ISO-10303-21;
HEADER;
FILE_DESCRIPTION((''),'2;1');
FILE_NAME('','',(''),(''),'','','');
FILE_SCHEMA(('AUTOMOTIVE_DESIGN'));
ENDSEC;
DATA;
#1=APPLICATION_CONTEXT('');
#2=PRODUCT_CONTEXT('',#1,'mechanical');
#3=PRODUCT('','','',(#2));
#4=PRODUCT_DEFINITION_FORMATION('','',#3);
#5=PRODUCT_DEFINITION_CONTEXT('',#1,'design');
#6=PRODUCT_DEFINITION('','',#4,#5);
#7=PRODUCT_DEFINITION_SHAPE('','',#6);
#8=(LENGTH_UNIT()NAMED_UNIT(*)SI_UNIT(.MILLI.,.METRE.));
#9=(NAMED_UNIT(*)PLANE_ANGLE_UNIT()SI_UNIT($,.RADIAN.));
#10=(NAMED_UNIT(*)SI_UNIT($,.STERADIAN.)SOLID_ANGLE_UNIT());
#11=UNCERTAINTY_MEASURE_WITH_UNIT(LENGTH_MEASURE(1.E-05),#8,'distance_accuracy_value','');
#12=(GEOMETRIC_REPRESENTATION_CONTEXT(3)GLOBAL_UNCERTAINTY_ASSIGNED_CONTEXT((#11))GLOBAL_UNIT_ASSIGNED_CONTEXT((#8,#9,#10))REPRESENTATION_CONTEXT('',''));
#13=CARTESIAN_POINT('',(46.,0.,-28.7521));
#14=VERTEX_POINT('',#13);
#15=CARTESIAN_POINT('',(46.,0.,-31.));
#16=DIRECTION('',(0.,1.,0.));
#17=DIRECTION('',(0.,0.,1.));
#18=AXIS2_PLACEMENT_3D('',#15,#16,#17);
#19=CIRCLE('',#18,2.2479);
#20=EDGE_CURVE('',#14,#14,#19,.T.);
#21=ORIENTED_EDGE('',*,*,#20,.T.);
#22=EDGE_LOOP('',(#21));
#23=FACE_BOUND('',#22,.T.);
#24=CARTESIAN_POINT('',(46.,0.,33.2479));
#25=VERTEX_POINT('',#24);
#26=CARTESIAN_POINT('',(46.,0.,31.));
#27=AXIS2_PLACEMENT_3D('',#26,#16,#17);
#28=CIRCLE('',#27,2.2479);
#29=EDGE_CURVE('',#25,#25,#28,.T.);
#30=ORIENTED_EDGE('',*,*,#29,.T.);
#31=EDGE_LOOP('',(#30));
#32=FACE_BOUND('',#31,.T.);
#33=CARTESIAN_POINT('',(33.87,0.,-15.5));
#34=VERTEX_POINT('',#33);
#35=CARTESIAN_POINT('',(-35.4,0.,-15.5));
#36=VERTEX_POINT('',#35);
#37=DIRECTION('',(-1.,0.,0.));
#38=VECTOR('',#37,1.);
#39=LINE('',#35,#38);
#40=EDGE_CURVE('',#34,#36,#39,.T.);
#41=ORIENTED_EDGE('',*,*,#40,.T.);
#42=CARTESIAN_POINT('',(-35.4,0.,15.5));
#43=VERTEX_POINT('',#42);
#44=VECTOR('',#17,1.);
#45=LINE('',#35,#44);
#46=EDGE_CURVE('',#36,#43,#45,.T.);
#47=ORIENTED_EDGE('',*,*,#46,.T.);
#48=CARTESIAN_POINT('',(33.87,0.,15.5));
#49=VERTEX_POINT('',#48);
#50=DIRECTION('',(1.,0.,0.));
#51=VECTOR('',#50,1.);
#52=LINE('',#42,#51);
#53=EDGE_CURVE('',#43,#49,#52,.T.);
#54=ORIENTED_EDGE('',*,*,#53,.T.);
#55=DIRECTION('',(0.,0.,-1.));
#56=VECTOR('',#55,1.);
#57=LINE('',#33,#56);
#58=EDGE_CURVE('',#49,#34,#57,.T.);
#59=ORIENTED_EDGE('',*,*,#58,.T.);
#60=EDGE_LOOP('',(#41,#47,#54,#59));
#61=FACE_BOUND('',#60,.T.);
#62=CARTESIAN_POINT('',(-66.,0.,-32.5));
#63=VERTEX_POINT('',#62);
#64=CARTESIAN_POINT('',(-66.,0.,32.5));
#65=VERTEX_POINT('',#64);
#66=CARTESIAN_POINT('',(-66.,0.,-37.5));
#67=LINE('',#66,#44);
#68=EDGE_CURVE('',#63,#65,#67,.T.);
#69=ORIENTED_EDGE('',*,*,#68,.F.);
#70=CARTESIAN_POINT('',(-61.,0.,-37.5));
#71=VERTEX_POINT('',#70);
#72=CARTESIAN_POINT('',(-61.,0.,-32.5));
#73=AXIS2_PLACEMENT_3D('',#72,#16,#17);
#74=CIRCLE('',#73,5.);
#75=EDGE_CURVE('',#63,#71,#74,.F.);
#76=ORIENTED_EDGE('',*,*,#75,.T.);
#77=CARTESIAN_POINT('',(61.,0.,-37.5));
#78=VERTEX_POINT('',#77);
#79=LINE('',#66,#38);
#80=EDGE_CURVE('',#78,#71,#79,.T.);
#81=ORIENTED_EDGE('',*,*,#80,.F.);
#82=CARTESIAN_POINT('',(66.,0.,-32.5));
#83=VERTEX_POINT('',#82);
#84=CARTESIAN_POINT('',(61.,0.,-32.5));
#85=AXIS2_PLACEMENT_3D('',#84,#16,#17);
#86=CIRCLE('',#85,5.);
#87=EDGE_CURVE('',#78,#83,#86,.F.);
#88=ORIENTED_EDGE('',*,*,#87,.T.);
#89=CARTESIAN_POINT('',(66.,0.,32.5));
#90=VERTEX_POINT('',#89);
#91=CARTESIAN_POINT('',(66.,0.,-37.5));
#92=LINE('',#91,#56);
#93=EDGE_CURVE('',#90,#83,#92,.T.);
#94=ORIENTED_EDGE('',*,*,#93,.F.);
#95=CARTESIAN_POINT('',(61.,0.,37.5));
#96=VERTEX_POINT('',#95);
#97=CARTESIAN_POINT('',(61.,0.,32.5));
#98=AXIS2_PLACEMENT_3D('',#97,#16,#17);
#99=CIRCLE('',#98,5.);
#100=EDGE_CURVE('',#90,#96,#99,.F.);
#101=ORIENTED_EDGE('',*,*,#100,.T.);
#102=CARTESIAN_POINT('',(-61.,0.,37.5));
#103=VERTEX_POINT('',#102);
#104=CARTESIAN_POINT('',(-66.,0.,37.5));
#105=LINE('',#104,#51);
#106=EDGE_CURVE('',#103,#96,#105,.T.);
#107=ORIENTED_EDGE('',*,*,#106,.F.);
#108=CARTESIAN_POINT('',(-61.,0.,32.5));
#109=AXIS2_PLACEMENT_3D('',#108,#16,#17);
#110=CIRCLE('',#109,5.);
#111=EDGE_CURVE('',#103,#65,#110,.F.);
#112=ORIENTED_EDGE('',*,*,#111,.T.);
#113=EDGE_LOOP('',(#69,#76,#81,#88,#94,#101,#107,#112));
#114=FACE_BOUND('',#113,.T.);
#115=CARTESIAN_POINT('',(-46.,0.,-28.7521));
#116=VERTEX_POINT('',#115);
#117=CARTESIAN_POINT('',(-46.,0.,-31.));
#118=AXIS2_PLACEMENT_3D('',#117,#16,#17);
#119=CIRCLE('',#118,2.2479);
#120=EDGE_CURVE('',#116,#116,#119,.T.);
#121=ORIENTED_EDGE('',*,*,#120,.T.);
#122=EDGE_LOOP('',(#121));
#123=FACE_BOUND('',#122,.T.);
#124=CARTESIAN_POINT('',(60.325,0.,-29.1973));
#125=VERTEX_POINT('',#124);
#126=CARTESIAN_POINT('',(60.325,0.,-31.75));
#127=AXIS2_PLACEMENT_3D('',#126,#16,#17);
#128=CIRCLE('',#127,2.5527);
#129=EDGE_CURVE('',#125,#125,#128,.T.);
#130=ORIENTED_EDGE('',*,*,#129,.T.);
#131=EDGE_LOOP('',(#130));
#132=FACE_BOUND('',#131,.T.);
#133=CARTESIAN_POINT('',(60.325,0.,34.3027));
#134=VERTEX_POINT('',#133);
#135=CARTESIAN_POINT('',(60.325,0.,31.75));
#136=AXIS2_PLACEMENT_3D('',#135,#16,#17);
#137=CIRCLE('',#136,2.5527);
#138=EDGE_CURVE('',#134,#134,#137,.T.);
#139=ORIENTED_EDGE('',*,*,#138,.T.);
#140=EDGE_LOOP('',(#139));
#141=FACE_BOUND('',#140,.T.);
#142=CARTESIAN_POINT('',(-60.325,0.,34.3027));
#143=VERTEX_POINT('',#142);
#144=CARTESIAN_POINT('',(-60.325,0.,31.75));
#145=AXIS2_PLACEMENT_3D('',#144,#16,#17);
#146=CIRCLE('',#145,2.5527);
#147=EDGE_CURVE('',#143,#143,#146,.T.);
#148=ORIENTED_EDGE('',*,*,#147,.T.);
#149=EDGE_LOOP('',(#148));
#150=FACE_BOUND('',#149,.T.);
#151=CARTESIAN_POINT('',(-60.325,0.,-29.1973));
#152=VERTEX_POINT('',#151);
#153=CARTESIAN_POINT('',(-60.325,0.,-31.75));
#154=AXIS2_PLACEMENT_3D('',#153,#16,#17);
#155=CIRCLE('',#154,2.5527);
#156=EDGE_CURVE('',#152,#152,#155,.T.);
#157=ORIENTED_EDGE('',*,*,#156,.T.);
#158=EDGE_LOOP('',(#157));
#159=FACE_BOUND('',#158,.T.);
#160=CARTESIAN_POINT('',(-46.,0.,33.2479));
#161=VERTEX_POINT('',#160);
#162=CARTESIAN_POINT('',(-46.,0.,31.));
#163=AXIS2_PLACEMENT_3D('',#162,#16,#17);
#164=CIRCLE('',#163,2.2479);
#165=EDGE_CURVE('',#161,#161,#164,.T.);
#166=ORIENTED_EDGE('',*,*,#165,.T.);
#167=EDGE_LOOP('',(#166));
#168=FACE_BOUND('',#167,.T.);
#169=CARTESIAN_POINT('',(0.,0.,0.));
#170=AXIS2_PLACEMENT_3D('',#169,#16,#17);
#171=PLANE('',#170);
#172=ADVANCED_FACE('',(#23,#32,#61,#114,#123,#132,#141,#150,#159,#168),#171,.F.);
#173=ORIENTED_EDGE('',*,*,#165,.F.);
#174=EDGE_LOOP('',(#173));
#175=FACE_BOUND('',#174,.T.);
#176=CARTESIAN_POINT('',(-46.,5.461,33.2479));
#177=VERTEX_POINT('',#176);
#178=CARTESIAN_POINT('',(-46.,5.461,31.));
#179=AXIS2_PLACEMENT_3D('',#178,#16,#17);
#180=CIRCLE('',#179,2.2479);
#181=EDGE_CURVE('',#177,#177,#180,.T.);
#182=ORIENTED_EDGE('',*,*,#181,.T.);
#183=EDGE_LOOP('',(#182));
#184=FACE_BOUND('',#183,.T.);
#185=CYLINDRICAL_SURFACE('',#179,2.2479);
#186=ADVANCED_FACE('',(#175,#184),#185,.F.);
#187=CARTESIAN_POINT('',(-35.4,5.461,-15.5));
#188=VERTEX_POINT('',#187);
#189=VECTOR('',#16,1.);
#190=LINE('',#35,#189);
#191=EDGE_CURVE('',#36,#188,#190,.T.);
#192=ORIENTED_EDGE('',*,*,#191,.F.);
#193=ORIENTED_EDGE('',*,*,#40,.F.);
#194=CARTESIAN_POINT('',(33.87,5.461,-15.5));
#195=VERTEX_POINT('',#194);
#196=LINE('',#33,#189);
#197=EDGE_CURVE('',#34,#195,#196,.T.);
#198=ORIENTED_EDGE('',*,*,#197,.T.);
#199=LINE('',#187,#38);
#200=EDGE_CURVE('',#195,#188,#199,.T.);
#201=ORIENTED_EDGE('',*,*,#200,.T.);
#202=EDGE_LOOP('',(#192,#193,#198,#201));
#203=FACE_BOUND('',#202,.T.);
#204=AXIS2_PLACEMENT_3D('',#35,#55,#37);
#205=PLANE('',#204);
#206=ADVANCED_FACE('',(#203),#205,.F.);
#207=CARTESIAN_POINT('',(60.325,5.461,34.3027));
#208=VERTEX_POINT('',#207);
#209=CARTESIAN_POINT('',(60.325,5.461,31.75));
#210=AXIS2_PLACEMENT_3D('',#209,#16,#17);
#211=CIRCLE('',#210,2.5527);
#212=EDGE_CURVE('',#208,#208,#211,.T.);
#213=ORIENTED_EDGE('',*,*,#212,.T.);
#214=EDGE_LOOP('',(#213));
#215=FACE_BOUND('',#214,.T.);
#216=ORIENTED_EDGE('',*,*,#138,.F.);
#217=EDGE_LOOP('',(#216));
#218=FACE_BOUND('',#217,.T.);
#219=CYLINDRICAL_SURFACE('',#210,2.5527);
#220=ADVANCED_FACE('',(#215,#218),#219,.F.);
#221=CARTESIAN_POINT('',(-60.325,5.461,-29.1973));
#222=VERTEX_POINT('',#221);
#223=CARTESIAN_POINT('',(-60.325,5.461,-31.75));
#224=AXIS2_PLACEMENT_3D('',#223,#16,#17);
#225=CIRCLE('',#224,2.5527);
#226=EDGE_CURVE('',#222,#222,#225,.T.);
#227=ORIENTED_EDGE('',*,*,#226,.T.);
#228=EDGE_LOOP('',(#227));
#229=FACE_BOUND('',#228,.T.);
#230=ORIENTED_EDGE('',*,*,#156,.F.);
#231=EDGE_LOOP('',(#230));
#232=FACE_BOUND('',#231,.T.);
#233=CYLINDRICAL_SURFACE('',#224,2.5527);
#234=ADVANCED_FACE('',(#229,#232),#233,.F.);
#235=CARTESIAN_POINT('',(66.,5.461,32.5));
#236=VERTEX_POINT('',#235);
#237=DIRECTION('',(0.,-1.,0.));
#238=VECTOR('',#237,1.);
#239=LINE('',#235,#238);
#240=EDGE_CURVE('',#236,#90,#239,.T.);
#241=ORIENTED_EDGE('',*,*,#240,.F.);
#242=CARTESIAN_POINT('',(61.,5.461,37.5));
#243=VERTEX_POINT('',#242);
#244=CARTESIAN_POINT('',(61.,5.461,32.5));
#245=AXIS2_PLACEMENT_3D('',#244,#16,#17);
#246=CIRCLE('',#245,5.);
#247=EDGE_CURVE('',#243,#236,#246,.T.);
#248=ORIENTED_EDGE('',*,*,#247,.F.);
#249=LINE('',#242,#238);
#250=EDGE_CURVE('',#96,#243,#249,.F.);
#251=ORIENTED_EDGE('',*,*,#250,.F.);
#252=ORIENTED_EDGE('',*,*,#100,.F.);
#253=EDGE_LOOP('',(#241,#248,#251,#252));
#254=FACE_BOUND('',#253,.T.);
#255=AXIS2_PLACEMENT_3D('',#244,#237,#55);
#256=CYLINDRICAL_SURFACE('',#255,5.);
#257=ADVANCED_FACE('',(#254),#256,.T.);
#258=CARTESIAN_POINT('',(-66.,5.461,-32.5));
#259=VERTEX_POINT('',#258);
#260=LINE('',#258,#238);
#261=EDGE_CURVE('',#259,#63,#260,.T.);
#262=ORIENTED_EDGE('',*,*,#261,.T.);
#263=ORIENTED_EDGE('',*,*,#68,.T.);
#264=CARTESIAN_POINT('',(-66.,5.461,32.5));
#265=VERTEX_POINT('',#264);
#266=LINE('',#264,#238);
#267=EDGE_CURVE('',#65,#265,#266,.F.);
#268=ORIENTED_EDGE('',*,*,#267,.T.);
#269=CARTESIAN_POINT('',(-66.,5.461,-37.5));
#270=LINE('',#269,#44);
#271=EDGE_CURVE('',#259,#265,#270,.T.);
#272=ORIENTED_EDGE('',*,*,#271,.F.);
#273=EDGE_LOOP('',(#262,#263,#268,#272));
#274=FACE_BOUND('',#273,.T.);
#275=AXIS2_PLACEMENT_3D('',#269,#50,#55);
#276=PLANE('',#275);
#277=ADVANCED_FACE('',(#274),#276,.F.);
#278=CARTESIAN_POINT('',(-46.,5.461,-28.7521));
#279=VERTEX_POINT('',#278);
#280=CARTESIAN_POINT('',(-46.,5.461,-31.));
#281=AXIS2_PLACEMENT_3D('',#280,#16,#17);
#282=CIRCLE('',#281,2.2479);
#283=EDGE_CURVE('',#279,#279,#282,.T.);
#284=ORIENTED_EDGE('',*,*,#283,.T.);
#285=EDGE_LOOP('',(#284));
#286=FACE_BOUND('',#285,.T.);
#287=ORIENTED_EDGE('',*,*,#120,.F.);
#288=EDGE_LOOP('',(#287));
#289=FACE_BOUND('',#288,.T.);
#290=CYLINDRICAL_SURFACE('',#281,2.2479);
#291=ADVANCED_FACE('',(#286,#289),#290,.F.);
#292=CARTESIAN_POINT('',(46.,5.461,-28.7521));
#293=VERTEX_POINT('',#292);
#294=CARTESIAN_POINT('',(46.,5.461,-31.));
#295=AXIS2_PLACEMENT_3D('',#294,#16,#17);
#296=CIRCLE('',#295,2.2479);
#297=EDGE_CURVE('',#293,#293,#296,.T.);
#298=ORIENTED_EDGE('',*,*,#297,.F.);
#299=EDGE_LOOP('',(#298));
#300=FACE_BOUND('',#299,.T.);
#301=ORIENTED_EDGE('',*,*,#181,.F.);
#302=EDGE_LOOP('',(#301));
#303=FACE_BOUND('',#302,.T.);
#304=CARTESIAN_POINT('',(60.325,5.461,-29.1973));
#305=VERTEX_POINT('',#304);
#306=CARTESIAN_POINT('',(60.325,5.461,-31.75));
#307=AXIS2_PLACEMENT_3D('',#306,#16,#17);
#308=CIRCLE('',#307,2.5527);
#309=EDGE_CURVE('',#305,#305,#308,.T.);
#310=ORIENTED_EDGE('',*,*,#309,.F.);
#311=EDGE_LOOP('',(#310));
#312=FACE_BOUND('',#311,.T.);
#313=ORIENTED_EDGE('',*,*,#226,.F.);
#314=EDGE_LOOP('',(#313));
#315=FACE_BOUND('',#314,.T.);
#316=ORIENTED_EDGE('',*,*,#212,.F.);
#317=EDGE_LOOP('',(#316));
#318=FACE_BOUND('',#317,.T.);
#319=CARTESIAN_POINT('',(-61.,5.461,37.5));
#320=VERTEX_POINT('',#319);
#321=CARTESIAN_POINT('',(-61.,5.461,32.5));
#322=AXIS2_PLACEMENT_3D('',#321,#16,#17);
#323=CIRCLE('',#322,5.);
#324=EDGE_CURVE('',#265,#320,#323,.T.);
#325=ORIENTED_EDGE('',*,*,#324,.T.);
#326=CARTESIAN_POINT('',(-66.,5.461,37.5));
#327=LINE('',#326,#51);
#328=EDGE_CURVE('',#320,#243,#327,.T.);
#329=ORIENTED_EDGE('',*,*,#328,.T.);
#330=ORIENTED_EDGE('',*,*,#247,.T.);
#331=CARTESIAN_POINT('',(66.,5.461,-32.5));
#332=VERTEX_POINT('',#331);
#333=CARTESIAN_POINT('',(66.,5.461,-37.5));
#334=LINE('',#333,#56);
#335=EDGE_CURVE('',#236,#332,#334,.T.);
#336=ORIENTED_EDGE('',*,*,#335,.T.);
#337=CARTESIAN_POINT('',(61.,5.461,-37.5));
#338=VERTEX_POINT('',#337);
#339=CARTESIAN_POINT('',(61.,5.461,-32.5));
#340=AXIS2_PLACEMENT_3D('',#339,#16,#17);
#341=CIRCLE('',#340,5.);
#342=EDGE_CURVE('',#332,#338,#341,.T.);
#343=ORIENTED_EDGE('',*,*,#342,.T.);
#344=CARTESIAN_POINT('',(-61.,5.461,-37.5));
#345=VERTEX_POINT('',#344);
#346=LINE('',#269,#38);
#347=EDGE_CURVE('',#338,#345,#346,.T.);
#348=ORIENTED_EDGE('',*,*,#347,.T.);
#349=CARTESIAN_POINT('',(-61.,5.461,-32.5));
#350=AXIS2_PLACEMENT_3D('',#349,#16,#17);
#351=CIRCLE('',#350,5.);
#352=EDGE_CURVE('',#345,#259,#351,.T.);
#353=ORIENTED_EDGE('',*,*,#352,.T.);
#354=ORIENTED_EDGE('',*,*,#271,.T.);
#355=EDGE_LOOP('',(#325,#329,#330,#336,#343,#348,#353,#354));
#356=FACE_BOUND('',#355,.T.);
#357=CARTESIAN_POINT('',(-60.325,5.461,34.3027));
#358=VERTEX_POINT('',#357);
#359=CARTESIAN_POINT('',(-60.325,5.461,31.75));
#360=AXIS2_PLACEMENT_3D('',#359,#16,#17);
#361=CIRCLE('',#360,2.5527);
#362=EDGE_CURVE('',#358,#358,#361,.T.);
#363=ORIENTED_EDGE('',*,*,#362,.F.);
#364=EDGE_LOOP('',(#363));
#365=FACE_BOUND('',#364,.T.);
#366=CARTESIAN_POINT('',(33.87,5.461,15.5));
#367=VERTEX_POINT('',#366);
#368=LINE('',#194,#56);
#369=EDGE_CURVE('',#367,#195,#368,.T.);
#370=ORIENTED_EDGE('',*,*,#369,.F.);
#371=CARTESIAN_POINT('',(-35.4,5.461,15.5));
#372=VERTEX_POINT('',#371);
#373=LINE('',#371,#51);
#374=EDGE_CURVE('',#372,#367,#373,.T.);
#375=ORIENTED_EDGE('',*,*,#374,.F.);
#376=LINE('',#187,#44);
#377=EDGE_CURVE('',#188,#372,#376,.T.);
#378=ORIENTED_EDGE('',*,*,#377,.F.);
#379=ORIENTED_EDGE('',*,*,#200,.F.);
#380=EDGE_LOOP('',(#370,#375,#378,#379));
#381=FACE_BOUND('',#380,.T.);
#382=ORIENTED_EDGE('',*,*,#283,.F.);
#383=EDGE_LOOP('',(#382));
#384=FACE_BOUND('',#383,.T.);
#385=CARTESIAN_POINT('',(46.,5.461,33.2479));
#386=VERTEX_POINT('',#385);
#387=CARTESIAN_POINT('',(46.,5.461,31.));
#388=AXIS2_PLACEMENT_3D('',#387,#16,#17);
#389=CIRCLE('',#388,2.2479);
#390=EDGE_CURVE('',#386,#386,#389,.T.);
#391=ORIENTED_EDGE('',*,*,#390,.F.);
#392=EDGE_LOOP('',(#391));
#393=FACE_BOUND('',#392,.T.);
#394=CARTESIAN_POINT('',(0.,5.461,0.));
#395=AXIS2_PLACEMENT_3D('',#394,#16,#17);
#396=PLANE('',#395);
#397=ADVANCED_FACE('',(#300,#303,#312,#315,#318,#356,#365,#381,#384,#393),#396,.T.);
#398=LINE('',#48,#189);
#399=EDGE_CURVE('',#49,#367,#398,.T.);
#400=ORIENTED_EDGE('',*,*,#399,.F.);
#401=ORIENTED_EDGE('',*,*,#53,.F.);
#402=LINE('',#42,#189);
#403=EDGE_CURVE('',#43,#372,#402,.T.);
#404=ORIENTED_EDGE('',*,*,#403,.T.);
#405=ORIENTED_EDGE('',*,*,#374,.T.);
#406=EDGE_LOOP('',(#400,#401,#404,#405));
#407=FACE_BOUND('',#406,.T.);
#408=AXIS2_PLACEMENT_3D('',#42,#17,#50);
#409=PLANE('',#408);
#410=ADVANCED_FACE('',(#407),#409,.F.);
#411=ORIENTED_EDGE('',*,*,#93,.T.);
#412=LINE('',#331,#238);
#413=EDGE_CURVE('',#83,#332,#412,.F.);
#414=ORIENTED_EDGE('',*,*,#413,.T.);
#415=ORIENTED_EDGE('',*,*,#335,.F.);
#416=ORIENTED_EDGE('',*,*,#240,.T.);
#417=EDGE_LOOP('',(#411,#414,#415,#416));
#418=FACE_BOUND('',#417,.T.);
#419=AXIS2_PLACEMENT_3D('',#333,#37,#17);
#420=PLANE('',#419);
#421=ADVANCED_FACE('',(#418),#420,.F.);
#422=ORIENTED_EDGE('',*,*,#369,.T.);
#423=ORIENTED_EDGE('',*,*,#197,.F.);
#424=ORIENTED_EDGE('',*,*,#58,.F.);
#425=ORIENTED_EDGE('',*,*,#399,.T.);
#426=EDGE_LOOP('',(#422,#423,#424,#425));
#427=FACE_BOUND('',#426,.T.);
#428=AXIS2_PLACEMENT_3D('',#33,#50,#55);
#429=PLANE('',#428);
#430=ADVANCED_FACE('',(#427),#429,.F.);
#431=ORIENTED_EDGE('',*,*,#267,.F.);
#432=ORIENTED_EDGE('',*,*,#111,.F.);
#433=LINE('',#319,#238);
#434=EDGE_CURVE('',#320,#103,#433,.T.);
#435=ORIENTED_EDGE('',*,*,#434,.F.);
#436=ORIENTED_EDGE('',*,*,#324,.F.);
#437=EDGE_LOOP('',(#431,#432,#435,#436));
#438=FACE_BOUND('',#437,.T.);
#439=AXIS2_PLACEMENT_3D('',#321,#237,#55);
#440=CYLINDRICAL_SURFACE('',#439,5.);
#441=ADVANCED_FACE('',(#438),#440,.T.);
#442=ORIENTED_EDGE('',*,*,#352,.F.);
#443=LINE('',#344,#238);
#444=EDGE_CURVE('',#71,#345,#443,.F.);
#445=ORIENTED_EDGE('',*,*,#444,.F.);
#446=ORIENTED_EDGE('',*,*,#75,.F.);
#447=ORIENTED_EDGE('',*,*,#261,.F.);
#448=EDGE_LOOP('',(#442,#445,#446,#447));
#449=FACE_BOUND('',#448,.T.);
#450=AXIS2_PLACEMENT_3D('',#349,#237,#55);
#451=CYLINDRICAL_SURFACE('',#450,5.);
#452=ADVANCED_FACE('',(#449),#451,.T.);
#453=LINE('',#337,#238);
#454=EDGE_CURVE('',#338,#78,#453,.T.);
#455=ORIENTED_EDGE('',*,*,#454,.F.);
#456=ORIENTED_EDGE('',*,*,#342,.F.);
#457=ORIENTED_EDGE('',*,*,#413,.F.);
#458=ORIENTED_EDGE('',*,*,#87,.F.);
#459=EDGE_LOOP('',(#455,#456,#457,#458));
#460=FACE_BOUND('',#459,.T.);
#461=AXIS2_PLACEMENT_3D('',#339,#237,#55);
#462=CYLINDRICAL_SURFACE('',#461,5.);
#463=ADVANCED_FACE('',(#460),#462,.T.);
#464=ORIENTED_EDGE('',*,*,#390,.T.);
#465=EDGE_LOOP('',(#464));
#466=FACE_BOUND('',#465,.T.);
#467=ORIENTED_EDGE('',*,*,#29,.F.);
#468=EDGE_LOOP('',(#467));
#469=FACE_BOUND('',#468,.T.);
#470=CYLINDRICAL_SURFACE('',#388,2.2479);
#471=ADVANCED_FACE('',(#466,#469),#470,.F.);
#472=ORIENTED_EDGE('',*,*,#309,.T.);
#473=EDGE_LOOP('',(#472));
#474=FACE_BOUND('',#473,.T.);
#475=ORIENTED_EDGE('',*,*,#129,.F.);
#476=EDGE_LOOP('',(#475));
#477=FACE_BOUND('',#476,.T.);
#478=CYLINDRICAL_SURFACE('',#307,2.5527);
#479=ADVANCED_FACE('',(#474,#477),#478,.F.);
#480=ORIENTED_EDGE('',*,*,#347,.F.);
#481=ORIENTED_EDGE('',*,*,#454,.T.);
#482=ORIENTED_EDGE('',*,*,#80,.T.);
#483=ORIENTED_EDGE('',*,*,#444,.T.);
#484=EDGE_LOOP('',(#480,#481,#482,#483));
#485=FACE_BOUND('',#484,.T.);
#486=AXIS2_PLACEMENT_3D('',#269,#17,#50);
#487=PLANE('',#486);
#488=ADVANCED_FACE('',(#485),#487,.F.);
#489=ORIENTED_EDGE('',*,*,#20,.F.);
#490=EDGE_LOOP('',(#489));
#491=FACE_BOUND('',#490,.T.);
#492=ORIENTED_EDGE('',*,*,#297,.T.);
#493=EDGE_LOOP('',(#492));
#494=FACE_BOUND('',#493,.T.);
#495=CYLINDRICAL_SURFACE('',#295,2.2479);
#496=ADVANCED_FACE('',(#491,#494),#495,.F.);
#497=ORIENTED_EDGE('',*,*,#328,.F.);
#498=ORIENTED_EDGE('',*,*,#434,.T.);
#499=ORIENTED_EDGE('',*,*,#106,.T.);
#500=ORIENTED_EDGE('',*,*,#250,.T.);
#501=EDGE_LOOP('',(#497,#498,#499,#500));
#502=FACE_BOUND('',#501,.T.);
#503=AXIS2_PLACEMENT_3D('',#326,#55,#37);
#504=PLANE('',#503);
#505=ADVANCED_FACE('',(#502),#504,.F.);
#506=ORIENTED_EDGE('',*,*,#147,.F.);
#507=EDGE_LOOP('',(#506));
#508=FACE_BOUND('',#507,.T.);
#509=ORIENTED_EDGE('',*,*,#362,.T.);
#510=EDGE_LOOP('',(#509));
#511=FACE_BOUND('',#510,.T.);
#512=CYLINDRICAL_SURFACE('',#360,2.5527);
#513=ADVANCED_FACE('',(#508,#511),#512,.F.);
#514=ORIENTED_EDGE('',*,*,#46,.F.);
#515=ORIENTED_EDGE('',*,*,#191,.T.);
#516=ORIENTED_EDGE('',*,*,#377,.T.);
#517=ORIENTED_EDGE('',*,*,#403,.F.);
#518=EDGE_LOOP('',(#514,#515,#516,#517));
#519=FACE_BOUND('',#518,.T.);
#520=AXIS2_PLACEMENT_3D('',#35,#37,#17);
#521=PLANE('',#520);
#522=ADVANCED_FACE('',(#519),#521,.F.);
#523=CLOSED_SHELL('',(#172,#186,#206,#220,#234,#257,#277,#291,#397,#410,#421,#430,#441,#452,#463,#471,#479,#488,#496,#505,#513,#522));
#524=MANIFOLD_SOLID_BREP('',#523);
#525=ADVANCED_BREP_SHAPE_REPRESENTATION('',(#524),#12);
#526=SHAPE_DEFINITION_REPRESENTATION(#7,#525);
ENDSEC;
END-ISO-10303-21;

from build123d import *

# Parameters (mm, degrees)
SKETCH2_W              = 132
SKETCH2_H              = 75
BOSS_EXTRUDE1_DEPTH    = 5.461
F_8_CLEARANCE_HOLE1_D  = 4.4958
F_10_CLEARANCE_HOLE1_D = 5.1054
FILLET1_R              = 5
SKETCH7_W              = 69.27
SKETCH7_H              = 31
CUT_EXTRUDE1_DEPTH     = 6.461


with BuildPart() as part:
    # Sketch2 → Boss-Extrude1 (new body)
    with BuildSketch(Plane(origin=(0, 0, 0), x_dir=(1, 0, 0), z_dir=(0, 1, 0))):
        Rectangle(SKETCH2_W, SKETCH2_H)
    extrude(amount=BOSS_EXTRUDE1_DEPTH)

    # #8 Clearance Hole1 (through all)
    with Locations(Plane(origin=(0, 5.461, 0), x_dir=(1, 0, 0), z_dir=(0, 1, 0))):
        with Locations((46, -31), (-46, 31), (-46, -31), (46, 31)):
            Hole(F_8_CLEARANCE_HOLE1_D / 2)

    # #10 Clearance Hole1 (through all)
    with Locations(Plane(origin=(0, 5.461, 0), x_dir=(1, 0, 0), z_dir=(0, 1, 0))):
        with Locations((60.325, -31.75), (-60.325, 31.75), (-60.325, -31.75), (60.325, 31.75)):
            Hole(F_10_CLEARANCE_HOLE1_D / 2)

    # Fillet1
    fillet1_edges = [part.edges().sort_by_distance(p)[0] for p in [
        (66, 2.7305, 37.5),
        (-66, 2.7305, 37.5),
        (-66, 2.7305, -37.5),
        (66, 2.7305, -37.5),
    ]]
    fillet(fillet1_edges, radius=FILLET1_R)

    # Sketch7 → Cut-Extrude1 (cut, through all)
    with BuildSketch(Plane(origin=(0, 5.461, 0), x_dir=(1, 0, 0), z_dir=(0, 1, 0))):
        with Locations((-0.765, 0)):
            Rectangle(SKETCH7_W, SKETCH7_H)
    extrude(amount=-CUT_EXTRUDE1_DEPTH, mode=Mode.SUBTRACT)


solid = part.part
